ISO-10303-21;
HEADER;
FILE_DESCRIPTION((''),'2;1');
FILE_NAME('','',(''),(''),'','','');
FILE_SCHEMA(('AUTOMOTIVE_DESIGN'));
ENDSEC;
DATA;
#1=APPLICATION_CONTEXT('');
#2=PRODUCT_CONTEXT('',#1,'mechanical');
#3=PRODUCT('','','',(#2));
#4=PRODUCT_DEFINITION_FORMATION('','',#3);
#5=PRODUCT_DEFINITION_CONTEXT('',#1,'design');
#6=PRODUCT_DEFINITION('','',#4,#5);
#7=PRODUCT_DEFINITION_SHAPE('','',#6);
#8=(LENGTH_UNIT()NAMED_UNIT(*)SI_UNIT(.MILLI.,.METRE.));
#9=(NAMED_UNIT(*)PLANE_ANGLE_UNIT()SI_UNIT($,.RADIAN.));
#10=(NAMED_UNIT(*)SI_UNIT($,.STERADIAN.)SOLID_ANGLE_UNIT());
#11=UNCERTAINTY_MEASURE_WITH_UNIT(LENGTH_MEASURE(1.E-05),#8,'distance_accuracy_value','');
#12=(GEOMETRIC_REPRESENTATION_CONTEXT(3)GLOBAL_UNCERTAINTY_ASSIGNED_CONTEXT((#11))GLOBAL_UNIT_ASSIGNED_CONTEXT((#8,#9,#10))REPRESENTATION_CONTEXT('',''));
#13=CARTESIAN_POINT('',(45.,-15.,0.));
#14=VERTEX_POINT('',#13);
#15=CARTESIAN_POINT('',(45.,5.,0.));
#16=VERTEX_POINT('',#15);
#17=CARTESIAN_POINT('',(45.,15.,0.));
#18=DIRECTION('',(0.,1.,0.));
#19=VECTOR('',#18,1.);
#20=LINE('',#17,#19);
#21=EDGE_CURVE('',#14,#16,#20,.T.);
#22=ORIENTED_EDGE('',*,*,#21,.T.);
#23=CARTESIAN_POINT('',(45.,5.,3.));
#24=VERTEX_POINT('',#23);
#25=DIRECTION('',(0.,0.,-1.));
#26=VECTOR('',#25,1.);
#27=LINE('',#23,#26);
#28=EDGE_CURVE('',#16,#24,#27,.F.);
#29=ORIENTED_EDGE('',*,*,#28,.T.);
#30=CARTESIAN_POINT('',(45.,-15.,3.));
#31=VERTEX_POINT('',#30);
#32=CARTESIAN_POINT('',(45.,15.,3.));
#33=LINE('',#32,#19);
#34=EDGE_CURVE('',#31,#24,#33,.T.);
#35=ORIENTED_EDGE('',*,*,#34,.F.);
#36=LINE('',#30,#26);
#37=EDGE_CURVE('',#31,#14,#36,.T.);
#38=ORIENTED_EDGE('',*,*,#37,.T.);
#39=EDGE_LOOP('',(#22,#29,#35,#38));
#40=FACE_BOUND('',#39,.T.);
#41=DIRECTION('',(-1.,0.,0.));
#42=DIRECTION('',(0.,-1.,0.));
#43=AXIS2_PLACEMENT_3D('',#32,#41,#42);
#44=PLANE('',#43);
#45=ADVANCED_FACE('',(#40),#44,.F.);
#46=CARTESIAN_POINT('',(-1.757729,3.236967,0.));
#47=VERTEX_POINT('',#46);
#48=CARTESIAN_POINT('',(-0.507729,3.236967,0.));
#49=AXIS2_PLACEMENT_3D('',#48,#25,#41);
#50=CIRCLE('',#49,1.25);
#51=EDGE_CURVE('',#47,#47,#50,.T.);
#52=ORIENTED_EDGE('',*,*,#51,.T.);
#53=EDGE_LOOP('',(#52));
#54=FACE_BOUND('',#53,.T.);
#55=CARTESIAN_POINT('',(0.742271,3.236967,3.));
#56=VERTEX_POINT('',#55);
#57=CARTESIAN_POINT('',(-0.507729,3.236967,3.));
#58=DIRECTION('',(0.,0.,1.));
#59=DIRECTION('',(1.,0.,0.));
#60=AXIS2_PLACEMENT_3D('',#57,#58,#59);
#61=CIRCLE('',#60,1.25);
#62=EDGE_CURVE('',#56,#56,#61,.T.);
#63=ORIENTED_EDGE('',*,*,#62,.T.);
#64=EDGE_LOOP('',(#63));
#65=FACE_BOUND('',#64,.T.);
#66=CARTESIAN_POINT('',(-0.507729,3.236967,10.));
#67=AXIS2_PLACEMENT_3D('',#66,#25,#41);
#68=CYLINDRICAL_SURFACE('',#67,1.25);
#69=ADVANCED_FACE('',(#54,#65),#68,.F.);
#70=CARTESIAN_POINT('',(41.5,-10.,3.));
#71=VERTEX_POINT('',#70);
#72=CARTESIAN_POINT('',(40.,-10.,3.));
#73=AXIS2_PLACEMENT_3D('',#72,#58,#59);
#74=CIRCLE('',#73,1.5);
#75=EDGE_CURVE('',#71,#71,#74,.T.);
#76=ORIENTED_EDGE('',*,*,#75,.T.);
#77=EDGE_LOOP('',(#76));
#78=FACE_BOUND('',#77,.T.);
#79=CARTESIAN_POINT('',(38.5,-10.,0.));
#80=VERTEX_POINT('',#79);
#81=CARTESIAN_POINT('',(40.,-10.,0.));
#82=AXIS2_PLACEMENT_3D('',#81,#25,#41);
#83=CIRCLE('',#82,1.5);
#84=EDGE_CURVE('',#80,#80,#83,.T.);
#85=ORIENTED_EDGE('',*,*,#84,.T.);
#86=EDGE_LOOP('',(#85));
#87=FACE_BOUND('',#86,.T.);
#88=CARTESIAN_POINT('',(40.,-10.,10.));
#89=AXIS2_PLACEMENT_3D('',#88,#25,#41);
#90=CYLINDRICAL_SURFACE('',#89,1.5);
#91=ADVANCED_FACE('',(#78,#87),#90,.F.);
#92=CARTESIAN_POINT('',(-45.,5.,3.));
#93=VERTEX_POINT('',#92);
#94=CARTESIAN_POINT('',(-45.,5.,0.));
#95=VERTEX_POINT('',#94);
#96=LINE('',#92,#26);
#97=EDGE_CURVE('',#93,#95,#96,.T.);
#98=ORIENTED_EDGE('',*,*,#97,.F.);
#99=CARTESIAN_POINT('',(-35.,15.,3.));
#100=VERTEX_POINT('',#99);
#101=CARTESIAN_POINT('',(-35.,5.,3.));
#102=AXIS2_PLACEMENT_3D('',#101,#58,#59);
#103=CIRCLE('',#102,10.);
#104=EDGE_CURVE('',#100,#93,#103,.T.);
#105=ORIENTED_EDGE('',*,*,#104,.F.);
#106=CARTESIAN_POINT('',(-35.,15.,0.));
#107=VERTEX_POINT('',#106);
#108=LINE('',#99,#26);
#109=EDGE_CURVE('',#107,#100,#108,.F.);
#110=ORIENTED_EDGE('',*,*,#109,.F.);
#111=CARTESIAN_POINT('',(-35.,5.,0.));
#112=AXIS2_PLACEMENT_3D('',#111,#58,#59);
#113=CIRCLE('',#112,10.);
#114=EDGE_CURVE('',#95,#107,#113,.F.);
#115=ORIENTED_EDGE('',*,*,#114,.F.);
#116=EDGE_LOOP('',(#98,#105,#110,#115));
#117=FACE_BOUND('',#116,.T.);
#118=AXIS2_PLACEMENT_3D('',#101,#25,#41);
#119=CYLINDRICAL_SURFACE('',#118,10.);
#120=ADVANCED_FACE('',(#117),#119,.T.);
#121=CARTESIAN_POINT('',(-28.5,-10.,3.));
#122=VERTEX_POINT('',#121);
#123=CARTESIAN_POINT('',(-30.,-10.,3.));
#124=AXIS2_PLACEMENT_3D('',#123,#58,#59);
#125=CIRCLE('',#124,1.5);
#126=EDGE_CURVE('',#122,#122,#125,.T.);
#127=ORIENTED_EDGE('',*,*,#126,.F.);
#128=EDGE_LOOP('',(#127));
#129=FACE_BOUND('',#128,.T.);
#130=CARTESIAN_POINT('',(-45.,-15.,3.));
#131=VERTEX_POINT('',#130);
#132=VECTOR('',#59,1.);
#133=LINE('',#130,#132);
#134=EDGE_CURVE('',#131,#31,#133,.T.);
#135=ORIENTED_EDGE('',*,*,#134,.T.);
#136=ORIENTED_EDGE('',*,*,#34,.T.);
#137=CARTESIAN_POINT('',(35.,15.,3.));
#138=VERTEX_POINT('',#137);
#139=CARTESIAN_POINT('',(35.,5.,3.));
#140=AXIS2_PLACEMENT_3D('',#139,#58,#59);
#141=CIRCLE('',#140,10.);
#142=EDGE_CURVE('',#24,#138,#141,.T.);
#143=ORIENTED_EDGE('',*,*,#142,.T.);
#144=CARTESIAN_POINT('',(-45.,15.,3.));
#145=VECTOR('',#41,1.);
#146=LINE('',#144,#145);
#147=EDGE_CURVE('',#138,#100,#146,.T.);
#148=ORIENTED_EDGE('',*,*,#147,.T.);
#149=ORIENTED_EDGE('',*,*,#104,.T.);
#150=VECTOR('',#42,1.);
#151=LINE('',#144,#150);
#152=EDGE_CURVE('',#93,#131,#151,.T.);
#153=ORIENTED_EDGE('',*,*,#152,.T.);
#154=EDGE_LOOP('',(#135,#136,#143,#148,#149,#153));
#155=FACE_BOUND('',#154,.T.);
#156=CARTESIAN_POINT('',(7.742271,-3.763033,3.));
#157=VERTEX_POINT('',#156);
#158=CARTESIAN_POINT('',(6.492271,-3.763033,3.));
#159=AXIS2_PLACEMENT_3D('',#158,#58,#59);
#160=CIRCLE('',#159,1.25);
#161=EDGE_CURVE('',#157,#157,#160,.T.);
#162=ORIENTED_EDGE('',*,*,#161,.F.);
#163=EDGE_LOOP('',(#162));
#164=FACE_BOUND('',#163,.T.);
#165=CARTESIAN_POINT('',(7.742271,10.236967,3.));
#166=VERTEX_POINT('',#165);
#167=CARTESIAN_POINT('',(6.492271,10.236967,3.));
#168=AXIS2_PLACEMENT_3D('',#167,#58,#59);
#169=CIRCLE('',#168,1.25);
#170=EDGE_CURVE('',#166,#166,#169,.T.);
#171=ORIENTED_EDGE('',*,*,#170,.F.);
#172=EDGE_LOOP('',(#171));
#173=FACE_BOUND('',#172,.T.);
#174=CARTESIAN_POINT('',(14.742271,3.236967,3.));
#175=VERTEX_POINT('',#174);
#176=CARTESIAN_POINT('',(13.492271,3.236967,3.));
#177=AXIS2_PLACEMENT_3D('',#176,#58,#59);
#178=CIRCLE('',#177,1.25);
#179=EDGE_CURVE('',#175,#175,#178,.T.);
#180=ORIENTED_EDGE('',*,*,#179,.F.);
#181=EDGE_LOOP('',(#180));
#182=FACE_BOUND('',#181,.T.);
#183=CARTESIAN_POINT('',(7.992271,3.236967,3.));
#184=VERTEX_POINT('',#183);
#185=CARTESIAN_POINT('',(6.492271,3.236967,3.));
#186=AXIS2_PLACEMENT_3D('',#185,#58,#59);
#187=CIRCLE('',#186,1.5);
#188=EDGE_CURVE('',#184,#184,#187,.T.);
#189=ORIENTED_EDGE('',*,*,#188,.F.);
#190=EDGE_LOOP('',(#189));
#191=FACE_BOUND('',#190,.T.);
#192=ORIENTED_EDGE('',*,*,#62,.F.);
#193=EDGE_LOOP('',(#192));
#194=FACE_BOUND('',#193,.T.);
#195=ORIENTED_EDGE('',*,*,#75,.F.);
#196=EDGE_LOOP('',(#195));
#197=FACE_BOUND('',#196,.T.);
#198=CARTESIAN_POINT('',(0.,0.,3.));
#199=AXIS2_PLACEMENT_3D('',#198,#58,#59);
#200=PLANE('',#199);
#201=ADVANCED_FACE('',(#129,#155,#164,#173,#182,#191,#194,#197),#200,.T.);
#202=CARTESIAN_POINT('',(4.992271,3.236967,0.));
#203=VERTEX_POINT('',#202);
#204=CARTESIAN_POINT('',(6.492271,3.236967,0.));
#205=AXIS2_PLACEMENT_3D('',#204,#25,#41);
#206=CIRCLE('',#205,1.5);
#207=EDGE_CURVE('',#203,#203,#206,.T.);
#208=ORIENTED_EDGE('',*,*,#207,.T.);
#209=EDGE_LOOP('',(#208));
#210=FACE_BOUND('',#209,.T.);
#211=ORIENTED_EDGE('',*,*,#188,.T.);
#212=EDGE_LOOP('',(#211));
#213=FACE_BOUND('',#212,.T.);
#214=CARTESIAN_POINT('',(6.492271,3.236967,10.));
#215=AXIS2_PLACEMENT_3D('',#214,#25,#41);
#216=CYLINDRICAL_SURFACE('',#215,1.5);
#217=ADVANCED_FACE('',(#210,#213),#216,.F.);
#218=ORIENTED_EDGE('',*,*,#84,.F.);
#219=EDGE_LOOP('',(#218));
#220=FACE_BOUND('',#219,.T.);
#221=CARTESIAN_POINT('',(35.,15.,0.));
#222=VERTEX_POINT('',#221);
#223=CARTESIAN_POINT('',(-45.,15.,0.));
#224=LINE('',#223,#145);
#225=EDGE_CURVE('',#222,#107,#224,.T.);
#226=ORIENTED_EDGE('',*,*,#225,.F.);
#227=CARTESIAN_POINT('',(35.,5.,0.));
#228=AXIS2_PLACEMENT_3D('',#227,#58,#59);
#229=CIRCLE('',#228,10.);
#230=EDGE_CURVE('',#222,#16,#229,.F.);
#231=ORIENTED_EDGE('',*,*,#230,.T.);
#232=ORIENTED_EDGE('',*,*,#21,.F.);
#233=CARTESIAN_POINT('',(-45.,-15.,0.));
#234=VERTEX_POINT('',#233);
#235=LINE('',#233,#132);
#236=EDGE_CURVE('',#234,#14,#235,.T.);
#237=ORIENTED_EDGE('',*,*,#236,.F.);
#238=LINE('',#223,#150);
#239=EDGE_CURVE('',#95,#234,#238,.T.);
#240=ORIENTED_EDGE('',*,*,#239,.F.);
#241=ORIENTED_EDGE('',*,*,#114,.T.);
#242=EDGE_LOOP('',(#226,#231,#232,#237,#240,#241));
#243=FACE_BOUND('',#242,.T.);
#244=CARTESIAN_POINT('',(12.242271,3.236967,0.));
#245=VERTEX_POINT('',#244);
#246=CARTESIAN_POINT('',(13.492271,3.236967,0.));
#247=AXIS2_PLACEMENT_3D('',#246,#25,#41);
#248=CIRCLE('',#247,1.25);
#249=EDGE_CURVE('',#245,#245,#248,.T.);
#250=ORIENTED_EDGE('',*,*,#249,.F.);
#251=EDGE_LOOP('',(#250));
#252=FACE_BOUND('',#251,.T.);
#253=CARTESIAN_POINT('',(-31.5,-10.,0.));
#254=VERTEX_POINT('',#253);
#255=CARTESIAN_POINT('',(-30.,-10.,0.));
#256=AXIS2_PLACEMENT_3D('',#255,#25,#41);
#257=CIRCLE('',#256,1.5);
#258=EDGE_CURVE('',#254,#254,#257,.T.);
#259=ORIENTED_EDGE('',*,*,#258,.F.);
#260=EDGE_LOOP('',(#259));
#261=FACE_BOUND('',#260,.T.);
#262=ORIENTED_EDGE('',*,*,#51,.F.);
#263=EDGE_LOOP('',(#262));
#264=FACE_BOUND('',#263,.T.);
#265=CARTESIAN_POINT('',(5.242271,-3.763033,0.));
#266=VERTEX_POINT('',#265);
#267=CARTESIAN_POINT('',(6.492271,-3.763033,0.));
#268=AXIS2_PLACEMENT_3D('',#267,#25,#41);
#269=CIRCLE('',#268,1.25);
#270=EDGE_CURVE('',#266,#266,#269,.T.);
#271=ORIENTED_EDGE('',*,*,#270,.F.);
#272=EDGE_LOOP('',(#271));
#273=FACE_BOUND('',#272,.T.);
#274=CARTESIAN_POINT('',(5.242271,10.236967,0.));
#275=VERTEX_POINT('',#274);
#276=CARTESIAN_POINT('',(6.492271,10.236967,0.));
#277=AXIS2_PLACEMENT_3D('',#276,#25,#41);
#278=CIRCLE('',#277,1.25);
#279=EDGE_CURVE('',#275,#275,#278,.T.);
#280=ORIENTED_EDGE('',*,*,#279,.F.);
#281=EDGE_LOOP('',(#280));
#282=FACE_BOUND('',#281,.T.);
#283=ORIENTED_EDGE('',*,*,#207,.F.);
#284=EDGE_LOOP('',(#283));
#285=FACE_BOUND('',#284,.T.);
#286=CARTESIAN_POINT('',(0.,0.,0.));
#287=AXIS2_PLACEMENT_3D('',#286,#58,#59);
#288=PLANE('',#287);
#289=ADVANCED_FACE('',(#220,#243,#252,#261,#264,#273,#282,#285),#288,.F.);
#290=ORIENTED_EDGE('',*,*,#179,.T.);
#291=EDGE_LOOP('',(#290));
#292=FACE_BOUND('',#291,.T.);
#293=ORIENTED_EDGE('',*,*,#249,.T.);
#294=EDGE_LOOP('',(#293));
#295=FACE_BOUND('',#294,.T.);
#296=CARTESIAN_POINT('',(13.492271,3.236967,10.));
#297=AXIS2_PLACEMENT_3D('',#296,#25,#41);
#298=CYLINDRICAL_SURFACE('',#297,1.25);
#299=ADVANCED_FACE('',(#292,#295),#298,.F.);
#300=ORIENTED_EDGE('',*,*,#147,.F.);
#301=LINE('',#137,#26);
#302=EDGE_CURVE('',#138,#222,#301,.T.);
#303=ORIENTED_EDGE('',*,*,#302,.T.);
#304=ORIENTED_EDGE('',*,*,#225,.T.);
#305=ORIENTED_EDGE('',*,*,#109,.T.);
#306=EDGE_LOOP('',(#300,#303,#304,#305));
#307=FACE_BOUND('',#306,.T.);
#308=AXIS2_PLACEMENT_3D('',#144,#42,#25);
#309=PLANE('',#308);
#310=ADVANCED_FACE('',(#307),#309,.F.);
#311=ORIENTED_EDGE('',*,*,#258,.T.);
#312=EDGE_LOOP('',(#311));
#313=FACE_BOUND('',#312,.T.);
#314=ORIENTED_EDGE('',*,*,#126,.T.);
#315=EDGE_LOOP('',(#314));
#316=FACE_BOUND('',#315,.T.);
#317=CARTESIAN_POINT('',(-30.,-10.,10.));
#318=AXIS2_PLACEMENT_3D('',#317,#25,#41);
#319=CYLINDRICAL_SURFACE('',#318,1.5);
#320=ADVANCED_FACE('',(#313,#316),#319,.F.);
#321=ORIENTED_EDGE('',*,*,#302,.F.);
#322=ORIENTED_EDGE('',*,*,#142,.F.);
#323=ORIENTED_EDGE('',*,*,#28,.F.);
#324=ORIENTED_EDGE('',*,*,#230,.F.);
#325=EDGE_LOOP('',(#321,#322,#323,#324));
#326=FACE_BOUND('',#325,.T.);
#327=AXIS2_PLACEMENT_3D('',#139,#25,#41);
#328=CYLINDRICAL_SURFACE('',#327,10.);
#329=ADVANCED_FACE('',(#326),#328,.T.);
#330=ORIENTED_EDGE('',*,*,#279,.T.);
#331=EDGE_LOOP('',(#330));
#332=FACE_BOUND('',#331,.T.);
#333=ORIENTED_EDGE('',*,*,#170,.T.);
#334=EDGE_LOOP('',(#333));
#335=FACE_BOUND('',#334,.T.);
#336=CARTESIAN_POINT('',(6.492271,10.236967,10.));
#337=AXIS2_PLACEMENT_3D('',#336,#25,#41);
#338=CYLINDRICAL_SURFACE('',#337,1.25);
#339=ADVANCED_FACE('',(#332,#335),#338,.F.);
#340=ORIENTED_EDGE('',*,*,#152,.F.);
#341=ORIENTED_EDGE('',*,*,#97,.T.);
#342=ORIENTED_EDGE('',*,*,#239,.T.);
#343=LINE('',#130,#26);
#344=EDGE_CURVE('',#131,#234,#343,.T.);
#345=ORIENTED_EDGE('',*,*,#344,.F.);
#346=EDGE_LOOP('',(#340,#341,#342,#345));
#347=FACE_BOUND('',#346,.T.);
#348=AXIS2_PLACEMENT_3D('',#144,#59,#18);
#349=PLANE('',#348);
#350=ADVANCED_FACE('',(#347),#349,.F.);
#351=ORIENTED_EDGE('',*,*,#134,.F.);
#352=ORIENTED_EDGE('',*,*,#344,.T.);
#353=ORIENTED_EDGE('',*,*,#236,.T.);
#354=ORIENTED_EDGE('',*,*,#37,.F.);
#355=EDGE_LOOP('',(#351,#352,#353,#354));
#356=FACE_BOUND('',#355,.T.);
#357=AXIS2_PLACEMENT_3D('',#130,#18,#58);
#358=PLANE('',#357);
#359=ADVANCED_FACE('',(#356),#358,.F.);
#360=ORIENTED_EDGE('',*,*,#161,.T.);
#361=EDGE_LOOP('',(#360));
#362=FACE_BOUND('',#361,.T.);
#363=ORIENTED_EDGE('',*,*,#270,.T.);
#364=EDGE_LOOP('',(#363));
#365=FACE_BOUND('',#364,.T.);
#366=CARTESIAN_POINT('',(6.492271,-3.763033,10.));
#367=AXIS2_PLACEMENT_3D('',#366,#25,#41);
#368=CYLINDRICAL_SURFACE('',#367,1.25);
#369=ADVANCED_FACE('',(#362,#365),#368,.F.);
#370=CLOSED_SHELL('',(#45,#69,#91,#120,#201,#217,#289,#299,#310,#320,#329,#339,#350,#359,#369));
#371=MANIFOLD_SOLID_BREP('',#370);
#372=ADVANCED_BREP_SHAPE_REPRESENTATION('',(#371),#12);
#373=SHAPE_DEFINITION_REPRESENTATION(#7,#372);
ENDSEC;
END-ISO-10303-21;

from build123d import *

# Parameters (mm, degrees)
SKETCH_1_W          = 90
SKETCH_1_H          = 30
EXTRUDE_1_DEPTH     = 3
SKETCH_3_R          = 1.5
SKETCH_3_R_2        = 1.25
CUT_EXTRUDE_2_DEPTH = 10
SKETCH_4_R          = 1.5
CUT_EXTRUDE_3_DEPTH = 10
FILLET_1_R          = 10


with BuildPart() as part:
    # 草图1 → 凸台-拉伸1 (new body)
    with BuildSketch(Plane.XY):
        Rectangle(SKETCH_1_W, SKETCH_1_H)
    extrude(amount=EXTRUDE_1_DEPTH)

    # 草图3 → 切除-拉伸2 (cut)
    with BuildSketch(Plane(origin=(0, 0, 0), x_dir=(-1, 0, 0), z_dir=(0, 0, -1))):
        with Locations((-6.49227102, 3.236967106)):
            Circle(SKETCH_3_R)
        with Locations((-13.49227102, 3.236967106)):
            Circle(SKETCH_3_R_2)
        with Locations((-6.49227102, 10.236967106)):
            Circle(SKETCH_3_R_2)
        with Locations((-6.49227102, -3.763032894)):
            Circle(SKETCH_3_R_2)
        with Locations((0.50772898, 3.236967106)):
            Circle(SKETCH_3_R_2)
    extrude(amount=-CUT_EXTRUDE_2_DEPTH, mode=Mode.SUBTRACT)

    # 草图4 → 切除-拉伸3 (cut)
    with BuildSketch(Plane(origin=(0, 0, 0), x_dir=(-1, 0, 0), z_dir=(0, 0, -1))):
        with Locations((-40, -10)):
            Circle(SKETCH_4_R)
        with Locations((30, -10)):
            Circle(SKETCH_4_R)
    extrude(amount=-CUT_EXTRUDE_3_DEPTH, mode=Mode.SUBTRACT)

    # 圆角1
    fillet_1_edges = [part.edges().sort_by_distance(p)[0] for p in [
        (-45, 15, 1.5),
        (45, 15, 1.5),
    ]]
    fillet(fillet_1_edges, radius=FILLET_1_R)


solid = part.part
